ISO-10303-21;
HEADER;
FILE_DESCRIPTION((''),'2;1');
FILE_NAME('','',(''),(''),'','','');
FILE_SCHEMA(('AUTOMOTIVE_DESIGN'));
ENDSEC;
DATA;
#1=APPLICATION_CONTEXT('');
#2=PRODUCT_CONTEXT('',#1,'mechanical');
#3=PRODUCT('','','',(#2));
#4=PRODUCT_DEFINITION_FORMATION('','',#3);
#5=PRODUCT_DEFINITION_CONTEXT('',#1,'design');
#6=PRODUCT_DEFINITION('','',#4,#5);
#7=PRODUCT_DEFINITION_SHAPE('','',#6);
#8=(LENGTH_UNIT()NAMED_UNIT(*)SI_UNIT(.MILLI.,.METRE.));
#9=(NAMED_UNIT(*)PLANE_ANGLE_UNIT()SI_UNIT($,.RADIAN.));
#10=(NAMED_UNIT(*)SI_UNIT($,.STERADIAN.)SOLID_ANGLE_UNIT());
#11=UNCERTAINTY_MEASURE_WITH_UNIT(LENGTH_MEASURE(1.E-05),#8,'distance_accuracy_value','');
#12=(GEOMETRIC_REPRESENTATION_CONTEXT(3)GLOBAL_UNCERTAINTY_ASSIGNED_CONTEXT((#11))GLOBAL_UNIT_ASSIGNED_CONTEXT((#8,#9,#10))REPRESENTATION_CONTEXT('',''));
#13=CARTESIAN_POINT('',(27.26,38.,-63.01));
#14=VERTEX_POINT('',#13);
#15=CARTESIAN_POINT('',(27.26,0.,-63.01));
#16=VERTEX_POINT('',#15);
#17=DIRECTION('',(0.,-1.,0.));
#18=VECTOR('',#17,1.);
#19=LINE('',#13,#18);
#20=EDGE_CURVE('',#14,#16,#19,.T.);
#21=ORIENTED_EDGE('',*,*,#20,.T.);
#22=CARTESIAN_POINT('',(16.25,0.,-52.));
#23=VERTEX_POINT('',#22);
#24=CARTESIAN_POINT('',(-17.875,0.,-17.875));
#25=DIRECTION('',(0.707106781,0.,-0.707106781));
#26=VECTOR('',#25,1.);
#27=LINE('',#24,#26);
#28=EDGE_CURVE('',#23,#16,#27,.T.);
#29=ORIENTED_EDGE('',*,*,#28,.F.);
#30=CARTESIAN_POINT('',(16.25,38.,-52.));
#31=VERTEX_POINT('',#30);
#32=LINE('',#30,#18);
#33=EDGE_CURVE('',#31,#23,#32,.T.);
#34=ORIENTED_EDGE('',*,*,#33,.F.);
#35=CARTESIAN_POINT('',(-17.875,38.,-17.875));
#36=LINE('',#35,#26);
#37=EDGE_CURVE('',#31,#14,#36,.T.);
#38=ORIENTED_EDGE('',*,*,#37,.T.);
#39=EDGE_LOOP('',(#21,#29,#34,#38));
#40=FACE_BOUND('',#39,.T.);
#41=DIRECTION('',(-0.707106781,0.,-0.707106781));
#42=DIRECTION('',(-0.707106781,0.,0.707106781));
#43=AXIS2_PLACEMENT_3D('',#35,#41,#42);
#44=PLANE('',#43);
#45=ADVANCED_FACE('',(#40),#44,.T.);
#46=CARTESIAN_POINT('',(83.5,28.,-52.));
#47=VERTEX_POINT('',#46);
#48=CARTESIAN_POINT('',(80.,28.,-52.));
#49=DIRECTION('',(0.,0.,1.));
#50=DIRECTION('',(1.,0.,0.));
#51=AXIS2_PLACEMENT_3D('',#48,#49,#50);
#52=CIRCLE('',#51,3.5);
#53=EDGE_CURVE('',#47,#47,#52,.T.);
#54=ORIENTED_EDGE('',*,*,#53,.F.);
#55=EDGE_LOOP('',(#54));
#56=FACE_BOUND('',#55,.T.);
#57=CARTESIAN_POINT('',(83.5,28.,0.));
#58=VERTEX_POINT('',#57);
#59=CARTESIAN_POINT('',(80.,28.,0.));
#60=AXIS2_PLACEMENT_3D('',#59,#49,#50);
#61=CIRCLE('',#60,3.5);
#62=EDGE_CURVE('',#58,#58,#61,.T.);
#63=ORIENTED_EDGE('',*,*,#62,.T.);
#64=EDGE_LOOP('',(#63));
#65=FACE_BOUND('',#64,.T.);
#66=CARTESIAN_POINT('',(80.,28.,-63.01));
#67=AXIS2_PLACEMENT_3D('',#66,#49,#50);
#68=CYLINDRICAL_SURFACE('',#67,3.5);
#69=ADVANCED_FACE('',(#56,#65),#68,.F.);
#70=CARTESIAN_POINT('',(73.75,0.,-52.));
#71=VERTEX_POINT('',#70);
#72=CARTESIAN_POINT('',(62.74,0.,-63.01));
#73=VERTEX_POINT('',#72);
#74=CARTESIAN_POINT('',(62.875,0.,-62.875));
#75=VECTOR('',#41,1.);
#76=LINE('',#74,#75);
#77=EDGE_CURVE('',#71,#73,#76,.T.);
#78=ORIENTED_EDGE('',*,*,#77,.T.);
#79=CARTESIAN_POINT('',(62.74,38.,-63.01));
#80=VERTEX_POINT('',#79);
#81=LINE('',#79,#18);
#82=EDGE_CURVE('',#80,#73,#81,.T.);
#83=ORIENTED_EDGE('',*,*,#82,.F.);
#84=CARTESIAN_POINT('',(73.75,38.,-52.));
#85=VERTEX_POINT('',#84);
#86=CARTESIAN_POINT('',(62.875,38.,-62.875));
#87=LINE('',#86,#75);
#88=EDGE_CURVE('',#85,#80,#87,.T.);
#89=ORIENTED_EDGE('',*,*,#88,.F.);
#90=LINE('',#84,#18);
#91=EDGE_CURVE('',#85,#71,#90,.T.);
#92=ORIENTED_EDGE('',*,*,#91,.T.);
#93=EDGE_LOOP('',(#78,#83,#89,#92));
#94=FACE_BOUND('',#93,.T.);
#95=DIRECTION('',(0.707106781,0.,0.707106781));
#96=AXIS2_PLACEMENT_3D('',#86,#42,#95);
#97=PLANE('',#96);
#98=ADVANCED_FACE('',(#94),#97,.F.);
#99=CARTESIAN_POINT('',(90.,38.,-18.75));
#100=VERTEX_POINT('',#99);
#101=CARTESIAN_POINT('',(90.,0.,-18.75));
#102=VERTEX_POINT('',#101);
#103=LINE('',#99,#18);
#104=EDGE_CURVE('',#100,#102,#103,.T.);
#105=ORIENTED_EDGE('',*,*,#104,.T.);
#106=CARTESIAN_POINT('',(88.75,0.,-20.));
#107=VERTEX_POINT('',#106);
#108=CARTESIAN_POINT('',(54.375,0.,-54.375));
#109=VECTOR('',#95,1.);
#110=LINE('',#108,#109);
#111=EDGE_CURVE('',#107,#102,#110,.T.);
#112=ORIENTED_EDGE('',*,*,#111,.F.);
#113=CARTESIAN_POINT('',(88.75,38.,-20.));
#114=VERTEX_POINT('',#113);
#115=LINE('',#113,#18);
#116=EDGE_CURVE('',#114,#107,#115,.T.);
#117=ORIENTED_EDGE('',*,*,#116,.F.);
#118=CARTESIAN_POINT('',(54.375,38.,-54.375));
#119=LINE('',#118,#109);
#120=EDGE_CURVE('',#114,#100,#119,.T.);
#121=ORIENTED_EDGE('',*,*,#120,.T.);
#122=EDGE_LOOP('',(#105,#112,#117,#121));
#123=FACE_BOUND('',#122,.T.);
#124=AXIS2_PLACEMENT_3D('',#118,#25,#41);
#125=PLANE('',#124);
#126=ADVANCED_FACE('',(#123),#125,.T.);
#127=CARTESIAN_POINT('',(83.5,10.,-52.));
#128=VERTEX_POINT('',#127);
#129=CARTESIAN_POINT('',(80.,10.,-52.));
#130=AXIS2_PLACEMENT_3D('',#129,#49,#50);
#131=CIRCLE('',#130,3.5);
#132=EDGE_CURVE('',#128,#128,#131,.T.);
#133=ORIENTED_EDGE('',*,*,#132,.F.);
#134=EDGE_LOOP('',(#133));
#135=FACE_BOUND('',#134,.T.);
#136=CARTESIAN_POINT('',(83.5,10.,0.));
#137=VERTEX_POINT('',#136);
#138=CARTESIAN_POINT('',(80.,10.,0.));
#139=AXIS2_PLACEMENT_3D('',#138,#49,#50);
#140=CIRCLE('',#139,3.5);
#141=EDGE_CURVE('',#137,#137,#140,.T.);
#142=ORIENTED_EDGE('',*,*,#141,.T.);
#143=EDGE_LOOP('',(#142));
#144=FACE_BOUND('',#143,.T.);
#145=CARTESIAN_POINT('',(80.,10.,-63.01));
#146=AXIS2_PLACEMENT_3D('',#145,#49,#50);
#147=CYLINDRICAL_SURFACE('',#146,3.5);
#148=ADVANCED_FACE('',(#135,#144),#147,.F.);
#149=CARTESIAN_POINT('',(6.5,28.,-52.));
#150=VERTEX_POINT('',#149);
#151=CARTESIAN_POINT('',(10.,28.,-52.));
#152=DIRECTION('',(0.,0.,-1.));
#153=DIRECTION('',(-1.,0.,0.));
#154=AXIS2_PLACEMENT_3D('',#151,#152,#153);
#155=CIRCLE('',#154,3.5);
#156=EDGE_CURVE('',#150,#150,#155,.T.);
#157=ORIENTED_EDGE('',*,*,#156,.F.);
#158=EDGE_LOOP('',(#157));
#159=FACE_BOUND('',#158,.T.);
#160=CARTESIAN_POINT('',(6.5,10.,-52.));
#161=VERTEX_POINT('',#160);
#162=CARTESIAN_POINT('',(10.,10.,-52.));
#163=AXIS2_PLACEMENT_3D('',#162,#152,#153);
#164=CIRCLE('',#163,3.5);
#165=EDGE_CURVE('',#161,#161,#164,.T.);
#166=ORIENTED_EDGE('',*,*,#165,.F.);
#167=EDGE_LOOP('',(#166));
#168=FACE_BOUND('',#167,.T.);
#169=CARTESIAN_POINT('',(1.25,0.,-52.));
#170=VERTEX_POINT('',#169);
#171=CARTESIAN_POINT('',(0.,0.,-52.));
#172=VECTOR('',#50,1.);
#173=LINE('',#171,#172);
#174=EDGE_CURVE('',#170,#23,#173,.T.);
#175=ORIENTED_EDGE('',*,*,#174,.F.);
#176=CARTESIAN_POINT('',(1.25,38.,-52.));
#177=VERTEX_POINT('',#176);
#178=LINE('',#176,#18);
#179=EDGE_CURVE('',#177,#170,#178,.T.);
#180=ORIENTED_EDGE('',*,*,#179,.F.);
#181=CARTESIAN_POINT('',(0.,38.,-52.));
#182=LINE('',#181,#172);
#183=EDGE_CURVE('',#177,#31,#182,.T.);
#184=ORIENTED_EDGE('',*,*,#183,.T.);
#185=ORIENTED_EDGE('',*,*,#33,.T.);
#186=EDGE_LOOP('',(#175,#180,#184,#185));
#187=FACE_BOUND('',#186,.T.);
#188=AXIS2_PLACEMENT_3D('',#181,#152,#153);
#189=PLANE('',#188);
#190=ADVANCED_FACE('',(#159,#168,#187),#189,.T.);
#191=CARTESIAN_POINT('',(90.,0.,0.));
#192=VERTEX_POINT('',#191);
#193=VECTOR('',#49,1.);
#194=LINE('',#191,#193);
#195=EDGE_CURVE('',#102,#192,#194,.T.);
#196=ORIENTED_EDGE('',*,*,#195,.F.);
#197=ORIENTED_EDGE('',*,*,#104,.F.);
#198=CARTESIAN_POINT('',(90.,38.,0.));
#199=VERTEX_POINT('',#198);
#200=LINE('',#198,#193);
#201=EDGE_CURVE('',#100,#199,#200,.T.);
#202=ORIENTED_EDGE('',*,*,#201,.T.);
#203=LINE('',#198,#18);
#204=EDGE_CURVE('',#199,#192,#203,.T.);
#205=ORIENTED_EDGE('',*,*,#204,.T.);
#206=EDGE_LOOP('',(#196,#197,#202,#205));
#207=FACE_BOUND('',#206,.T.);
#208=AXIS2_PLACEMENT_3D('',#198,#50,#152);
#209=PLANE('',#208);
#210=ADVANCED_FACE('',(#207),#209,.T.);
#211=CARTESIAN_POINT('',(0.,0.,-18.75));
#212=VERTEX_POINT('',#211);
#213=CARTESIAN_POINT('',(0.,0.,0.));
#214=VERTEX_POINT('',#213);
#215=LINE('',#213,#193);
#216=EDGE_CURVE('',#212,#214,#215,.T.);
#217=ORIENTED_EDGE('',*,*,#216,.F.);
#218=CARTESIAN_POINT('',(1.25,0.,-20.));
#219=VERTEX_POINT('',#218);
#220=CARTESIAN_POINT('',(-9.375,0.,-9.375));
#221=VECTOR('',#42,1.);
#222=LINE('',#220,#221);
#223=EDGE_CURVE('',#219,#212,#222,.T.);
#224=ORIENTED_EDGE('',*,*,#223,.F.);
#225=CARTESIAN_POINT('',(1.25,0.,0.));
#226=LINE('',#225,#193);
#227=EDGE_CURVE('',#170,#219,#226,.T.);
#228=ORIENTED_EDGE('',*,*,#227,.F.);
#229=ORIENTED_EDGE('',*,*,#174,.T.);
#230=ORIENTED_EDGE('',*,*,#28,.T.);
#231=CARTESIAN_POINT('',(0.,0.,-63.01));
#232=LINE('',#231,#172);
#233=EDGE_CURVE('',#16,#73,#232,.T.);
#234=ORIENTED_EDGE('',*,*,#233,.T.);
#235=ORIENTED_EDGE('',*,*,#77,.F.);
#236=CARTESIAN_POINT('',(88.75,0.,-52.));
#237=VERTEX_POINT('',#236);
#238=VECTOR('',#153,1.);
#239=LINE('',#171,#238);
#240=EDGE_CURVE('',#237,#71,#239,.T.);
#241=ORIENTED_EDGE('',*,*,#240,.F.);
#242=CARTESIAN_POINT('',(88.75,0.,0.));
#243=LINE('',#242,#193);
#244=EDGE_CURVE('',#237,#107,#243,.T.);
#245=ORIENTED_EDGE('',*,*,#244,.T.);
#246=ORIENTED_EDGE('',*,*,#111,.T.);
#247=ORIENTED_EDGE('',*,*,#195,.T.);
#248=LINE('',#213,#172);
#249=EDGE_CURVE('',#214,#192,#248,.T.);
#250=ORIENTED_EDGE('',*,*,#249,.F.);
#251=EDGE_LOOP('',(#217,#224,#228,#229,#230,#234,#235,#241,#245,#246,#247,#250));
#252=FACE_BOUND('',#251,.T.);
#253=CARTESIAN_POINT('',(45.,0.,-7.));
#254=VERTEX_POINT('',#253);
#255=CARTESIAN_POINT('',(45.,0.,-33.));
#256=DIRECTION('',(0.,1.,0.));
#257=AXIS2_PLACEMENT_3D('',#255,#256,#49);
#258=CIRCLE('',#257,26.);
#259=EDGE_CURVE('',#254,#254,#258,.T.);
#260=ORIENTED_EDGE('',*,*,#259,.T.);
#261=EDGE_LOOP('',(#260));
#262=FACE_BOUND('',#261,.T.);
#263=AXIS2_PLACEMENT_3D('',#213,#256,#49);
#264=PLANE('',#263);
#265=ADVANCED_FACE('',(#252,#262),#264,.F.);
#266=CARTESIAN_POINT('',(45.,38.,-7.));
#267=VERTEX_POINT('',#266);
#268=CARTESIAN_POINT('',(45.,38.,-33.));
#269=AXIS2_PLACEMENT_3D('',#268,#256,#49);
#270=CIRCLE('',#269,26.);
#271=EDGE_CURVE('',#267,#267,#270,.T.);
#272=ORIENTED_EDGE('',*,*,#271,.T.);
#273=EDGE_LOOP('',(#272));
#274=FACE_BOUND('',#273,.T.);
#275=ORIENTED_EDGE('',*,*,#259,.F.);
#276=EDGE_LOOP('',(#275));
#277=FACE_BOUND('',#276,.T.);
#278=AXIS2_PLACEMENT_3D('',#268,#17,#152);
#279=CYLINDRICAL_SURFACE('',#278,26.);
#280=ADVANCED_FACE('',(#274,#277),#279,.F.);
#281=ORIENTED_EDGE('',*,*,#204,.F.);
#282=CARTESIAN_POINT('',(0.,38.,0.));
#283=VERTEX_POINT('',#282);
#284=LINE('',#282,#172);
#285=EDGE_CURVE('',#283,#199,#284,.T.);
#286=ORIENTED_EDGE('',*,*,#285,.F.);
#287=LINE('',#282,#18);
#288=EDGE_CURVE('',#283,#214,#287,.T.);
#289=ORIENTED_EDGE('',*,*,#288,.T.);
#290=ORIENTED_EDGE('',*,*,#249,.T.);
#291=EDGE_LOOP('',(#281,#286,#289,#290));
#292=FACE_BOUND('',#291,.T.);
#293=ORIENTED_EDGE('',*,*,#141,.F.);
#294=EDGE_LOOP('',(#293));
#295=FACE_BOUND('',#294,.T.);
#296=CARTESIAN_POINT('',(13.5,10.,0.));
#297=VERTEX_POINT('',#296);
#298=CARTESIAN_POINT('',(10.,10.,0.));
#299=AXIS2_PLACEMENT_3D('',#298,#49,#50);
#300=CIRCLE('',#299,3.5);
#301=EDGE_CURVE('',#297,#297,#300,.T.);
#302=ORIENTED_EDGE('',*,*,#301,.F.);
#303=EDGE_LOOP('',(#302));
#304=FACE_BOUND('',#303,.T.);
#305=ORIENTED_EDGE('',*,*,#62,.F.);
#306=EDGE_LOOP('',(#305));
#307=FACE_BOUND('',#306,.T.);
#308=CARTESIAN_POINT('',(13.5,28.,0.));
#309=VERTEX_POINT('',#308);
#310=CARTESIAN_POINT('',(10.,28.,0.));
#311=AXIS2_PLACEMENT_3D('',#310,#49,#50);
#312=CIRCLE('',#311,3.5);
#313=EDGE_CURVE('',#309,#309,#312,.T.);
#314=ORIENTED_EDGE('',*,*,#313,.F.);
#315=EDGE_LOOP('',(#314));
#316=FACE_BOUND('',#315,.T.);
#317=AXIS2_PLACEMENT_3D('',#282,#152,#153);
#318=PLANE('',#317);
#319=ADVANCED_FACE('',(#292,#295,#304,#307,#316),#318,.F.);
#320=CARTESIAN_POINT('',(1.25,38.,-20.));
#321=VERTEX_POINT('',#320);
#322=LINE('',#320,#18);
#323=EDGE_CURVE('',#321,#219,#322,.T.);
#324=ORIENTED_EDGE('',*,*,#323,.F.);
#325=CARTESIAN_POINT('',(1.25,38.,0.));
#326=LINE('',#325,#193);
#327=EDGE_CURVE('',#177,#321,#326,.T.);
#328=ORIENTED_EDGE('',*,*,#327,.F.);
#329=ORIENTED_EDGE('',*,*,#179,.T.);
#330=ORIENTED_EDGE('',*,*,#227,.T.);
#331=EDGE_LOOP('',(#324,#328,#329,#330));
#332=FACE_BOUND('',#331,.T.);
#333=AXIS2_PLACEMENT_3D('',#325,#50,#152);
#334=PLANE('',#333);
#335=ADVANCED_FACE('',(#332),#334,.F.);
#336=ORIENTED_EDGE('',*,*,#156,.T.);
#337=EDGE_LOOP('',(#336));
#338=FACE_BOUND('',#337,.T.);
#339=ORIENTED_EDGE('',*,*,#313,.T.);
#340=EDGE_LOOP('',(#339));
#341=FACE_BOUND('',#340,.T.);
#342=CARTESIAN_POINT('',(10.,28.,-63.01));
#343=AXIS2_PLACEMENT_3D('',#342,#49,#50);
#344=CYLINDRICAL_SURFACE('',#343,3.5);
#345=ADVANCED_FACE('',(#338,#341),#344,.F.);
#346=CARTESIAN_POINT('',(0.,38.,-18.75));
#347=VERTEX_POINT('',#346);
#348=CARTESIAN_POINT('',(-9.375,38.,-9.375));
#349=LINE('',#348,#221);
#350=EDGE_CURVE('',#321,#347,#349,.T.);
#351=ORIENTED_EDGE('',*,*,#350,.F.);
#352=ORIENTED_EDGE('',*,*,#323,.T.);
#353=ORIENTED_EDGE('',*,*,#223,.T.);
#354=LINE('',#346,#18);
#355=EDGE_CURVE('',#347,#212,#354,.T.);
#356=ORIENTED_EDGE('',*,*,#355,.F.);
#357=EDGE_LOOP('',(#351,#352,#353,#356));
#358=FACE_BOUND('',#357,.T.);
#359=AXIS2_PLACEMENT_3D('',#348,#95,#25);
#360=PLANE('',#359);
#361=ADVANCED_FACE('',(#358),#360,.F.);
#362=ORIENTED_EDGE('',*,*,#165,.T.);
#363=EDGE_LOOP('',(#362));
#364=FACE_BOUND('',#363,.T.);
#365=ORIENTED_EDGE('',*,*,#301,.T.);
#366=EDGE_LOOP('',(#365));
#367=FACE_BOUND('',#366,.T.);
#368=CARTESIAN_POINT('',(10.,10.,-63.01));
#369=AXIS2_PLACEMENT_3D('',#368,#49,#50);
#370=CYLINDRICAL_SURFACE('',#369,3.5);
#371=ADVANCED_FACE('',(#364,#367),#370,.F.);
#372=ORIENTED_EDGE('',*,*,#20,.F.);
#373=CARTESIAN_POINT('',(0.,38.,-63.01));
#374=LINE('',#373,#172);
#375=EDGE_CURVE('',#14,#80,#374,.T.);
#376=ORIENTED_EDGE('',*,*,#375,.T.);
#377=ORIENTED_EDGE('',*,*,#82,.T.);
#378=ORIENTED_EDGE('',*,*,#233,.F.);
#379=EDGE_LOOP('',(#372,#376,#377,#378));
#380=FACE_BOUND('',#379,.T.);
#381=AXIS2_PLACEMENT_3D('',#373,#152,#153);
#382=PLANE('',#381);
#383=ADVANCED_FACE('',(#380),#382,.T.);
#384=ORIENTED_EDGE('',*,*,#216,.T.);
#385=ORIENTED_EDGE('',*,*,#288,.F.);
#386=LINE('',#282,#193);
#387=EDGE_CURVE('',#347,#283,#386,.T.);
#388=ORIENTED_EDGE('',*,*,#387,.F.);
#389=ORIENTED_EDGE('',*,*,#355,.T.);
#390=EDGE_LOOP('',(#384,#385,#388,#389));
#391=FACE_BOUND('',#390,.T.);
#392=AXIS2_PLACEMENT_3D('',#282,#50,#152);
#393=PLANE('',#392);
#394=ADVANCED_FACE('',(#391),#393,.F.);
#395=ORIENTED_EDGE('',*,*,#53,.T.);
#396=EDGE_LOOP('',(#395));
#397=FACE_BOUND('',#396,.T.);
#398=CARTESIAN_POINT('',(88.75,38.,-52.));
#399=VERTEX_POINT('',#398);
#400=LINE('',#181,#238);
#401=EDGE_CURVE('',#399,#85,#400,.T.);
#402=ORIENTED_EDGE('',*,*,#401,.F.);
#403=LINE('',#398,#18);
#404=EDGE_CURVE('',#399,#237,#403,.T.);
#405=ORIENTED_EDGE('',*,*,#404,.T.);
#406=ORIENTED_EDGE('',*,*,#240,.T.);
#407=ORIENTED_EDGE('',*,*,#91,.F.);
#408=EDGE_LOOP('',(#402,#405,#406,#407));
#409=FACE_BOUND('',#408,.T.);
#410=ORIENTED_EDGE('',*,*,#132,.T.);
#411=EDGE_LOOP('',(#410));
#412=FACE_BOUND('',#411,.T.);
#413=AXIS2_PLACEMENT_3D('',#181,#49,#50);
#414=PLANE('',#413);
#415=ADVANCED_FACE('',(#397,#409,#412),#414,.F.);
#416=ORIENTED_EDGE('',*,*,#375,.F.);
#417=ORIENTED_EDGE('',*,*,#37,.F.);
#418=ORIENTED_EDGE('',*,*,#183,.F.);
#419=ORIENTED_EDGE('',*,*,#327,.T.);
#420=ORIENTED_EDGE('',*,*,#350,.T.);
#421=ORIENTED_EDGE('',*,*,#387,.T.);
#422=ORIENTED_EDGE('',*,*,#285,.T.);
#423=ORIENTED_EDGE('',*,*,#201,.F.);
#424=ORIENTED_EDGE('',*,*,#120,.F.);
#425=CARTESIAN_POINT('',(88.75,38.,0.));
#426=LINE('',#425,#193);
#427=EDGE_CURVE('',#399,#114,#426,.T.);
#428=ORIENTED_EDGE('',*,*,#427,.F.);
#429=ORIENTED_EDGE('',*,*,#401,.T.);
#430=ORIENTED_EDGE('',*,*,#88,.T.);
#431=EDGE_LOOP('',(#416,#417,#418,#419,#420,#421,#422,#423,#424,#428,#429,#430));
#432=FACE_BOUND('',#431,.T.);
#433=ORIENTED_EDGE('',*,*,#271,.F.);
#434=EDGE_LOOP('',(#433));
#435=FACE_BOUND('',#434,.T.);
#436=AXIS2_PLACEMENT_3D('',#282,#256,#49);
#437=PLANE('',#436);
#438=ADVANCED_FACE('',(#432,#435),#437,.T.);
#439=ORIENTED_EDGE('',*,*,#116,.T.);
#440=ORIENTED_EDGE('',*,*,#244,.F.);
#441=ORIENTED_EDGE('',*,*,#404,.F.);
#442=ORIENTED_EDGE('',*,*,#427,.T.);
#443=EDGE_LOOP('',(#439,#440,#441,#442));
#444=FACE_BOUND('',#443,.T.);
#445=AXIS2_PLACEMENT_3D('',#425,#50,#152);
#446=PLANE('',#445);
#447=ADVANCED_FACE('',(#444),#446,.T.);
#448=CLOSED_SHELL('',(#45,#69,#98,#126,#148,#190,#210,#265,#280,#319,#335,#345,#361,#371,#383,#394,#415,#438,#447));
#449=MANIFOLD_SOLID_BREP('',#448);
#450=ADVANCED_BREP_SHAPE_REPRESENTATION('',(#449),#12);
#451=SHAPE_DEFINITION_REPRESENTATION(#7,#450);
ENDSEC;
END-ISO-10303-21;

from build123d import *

# Parameters (mm, degrees)
SKETCH1_R           = 26
BOSS_EXTRUDE1_DEPTH = 38
SKETCH2_R           = 3.5
CUT_EXTRUDE1_DEPTH  = 117.250849889


with BuildPart() as part:
    # Sketch1 → Boss-Extrude1 (new body)
    with BuildSketch(Plane(origin=(0, 0, 0), x_dir=(1, 0, 0), z_dir=(0, 1, 0))):
        Polygon((88.75, 0), (90, 0), (90, 18.75), (88.75, 20), (88.75, 52), (73.75, 52), (62.74, 63.01), (27.26, 63.01), (16.25, 52), (1.25, 52), (1.25, 20), (0, 18.75), (0, 0), (1.25, 0), (45, 0), align=None)
        with Locations(Location((45, 33, 0), (0, 0, 270))):
            Circle(SKETCH1_R, mode=Mode.SUBTRACT)
    extrude(amount=BOSS_EXTRUDE1_DEPTH)

    # Sketch2 → Cut-Extrude1 (cut, through all)
    with BuildSketch(Plane.XY):
        with Locations((10, 28)):
            Circle(SKETCH2_R)
        with Locations((10, 10)):
            Circle(SKETCH2_R)
        with Locations((80, 28)):
            Circle(SKETCH2_R)
        with Locations((80, 10)):
            Circle(SKETCH2_R)
    extrude(amount=-CUT_EXTRUDE1_DEPTH, mode=Mode.SUBTRACT)


solid = part.part
